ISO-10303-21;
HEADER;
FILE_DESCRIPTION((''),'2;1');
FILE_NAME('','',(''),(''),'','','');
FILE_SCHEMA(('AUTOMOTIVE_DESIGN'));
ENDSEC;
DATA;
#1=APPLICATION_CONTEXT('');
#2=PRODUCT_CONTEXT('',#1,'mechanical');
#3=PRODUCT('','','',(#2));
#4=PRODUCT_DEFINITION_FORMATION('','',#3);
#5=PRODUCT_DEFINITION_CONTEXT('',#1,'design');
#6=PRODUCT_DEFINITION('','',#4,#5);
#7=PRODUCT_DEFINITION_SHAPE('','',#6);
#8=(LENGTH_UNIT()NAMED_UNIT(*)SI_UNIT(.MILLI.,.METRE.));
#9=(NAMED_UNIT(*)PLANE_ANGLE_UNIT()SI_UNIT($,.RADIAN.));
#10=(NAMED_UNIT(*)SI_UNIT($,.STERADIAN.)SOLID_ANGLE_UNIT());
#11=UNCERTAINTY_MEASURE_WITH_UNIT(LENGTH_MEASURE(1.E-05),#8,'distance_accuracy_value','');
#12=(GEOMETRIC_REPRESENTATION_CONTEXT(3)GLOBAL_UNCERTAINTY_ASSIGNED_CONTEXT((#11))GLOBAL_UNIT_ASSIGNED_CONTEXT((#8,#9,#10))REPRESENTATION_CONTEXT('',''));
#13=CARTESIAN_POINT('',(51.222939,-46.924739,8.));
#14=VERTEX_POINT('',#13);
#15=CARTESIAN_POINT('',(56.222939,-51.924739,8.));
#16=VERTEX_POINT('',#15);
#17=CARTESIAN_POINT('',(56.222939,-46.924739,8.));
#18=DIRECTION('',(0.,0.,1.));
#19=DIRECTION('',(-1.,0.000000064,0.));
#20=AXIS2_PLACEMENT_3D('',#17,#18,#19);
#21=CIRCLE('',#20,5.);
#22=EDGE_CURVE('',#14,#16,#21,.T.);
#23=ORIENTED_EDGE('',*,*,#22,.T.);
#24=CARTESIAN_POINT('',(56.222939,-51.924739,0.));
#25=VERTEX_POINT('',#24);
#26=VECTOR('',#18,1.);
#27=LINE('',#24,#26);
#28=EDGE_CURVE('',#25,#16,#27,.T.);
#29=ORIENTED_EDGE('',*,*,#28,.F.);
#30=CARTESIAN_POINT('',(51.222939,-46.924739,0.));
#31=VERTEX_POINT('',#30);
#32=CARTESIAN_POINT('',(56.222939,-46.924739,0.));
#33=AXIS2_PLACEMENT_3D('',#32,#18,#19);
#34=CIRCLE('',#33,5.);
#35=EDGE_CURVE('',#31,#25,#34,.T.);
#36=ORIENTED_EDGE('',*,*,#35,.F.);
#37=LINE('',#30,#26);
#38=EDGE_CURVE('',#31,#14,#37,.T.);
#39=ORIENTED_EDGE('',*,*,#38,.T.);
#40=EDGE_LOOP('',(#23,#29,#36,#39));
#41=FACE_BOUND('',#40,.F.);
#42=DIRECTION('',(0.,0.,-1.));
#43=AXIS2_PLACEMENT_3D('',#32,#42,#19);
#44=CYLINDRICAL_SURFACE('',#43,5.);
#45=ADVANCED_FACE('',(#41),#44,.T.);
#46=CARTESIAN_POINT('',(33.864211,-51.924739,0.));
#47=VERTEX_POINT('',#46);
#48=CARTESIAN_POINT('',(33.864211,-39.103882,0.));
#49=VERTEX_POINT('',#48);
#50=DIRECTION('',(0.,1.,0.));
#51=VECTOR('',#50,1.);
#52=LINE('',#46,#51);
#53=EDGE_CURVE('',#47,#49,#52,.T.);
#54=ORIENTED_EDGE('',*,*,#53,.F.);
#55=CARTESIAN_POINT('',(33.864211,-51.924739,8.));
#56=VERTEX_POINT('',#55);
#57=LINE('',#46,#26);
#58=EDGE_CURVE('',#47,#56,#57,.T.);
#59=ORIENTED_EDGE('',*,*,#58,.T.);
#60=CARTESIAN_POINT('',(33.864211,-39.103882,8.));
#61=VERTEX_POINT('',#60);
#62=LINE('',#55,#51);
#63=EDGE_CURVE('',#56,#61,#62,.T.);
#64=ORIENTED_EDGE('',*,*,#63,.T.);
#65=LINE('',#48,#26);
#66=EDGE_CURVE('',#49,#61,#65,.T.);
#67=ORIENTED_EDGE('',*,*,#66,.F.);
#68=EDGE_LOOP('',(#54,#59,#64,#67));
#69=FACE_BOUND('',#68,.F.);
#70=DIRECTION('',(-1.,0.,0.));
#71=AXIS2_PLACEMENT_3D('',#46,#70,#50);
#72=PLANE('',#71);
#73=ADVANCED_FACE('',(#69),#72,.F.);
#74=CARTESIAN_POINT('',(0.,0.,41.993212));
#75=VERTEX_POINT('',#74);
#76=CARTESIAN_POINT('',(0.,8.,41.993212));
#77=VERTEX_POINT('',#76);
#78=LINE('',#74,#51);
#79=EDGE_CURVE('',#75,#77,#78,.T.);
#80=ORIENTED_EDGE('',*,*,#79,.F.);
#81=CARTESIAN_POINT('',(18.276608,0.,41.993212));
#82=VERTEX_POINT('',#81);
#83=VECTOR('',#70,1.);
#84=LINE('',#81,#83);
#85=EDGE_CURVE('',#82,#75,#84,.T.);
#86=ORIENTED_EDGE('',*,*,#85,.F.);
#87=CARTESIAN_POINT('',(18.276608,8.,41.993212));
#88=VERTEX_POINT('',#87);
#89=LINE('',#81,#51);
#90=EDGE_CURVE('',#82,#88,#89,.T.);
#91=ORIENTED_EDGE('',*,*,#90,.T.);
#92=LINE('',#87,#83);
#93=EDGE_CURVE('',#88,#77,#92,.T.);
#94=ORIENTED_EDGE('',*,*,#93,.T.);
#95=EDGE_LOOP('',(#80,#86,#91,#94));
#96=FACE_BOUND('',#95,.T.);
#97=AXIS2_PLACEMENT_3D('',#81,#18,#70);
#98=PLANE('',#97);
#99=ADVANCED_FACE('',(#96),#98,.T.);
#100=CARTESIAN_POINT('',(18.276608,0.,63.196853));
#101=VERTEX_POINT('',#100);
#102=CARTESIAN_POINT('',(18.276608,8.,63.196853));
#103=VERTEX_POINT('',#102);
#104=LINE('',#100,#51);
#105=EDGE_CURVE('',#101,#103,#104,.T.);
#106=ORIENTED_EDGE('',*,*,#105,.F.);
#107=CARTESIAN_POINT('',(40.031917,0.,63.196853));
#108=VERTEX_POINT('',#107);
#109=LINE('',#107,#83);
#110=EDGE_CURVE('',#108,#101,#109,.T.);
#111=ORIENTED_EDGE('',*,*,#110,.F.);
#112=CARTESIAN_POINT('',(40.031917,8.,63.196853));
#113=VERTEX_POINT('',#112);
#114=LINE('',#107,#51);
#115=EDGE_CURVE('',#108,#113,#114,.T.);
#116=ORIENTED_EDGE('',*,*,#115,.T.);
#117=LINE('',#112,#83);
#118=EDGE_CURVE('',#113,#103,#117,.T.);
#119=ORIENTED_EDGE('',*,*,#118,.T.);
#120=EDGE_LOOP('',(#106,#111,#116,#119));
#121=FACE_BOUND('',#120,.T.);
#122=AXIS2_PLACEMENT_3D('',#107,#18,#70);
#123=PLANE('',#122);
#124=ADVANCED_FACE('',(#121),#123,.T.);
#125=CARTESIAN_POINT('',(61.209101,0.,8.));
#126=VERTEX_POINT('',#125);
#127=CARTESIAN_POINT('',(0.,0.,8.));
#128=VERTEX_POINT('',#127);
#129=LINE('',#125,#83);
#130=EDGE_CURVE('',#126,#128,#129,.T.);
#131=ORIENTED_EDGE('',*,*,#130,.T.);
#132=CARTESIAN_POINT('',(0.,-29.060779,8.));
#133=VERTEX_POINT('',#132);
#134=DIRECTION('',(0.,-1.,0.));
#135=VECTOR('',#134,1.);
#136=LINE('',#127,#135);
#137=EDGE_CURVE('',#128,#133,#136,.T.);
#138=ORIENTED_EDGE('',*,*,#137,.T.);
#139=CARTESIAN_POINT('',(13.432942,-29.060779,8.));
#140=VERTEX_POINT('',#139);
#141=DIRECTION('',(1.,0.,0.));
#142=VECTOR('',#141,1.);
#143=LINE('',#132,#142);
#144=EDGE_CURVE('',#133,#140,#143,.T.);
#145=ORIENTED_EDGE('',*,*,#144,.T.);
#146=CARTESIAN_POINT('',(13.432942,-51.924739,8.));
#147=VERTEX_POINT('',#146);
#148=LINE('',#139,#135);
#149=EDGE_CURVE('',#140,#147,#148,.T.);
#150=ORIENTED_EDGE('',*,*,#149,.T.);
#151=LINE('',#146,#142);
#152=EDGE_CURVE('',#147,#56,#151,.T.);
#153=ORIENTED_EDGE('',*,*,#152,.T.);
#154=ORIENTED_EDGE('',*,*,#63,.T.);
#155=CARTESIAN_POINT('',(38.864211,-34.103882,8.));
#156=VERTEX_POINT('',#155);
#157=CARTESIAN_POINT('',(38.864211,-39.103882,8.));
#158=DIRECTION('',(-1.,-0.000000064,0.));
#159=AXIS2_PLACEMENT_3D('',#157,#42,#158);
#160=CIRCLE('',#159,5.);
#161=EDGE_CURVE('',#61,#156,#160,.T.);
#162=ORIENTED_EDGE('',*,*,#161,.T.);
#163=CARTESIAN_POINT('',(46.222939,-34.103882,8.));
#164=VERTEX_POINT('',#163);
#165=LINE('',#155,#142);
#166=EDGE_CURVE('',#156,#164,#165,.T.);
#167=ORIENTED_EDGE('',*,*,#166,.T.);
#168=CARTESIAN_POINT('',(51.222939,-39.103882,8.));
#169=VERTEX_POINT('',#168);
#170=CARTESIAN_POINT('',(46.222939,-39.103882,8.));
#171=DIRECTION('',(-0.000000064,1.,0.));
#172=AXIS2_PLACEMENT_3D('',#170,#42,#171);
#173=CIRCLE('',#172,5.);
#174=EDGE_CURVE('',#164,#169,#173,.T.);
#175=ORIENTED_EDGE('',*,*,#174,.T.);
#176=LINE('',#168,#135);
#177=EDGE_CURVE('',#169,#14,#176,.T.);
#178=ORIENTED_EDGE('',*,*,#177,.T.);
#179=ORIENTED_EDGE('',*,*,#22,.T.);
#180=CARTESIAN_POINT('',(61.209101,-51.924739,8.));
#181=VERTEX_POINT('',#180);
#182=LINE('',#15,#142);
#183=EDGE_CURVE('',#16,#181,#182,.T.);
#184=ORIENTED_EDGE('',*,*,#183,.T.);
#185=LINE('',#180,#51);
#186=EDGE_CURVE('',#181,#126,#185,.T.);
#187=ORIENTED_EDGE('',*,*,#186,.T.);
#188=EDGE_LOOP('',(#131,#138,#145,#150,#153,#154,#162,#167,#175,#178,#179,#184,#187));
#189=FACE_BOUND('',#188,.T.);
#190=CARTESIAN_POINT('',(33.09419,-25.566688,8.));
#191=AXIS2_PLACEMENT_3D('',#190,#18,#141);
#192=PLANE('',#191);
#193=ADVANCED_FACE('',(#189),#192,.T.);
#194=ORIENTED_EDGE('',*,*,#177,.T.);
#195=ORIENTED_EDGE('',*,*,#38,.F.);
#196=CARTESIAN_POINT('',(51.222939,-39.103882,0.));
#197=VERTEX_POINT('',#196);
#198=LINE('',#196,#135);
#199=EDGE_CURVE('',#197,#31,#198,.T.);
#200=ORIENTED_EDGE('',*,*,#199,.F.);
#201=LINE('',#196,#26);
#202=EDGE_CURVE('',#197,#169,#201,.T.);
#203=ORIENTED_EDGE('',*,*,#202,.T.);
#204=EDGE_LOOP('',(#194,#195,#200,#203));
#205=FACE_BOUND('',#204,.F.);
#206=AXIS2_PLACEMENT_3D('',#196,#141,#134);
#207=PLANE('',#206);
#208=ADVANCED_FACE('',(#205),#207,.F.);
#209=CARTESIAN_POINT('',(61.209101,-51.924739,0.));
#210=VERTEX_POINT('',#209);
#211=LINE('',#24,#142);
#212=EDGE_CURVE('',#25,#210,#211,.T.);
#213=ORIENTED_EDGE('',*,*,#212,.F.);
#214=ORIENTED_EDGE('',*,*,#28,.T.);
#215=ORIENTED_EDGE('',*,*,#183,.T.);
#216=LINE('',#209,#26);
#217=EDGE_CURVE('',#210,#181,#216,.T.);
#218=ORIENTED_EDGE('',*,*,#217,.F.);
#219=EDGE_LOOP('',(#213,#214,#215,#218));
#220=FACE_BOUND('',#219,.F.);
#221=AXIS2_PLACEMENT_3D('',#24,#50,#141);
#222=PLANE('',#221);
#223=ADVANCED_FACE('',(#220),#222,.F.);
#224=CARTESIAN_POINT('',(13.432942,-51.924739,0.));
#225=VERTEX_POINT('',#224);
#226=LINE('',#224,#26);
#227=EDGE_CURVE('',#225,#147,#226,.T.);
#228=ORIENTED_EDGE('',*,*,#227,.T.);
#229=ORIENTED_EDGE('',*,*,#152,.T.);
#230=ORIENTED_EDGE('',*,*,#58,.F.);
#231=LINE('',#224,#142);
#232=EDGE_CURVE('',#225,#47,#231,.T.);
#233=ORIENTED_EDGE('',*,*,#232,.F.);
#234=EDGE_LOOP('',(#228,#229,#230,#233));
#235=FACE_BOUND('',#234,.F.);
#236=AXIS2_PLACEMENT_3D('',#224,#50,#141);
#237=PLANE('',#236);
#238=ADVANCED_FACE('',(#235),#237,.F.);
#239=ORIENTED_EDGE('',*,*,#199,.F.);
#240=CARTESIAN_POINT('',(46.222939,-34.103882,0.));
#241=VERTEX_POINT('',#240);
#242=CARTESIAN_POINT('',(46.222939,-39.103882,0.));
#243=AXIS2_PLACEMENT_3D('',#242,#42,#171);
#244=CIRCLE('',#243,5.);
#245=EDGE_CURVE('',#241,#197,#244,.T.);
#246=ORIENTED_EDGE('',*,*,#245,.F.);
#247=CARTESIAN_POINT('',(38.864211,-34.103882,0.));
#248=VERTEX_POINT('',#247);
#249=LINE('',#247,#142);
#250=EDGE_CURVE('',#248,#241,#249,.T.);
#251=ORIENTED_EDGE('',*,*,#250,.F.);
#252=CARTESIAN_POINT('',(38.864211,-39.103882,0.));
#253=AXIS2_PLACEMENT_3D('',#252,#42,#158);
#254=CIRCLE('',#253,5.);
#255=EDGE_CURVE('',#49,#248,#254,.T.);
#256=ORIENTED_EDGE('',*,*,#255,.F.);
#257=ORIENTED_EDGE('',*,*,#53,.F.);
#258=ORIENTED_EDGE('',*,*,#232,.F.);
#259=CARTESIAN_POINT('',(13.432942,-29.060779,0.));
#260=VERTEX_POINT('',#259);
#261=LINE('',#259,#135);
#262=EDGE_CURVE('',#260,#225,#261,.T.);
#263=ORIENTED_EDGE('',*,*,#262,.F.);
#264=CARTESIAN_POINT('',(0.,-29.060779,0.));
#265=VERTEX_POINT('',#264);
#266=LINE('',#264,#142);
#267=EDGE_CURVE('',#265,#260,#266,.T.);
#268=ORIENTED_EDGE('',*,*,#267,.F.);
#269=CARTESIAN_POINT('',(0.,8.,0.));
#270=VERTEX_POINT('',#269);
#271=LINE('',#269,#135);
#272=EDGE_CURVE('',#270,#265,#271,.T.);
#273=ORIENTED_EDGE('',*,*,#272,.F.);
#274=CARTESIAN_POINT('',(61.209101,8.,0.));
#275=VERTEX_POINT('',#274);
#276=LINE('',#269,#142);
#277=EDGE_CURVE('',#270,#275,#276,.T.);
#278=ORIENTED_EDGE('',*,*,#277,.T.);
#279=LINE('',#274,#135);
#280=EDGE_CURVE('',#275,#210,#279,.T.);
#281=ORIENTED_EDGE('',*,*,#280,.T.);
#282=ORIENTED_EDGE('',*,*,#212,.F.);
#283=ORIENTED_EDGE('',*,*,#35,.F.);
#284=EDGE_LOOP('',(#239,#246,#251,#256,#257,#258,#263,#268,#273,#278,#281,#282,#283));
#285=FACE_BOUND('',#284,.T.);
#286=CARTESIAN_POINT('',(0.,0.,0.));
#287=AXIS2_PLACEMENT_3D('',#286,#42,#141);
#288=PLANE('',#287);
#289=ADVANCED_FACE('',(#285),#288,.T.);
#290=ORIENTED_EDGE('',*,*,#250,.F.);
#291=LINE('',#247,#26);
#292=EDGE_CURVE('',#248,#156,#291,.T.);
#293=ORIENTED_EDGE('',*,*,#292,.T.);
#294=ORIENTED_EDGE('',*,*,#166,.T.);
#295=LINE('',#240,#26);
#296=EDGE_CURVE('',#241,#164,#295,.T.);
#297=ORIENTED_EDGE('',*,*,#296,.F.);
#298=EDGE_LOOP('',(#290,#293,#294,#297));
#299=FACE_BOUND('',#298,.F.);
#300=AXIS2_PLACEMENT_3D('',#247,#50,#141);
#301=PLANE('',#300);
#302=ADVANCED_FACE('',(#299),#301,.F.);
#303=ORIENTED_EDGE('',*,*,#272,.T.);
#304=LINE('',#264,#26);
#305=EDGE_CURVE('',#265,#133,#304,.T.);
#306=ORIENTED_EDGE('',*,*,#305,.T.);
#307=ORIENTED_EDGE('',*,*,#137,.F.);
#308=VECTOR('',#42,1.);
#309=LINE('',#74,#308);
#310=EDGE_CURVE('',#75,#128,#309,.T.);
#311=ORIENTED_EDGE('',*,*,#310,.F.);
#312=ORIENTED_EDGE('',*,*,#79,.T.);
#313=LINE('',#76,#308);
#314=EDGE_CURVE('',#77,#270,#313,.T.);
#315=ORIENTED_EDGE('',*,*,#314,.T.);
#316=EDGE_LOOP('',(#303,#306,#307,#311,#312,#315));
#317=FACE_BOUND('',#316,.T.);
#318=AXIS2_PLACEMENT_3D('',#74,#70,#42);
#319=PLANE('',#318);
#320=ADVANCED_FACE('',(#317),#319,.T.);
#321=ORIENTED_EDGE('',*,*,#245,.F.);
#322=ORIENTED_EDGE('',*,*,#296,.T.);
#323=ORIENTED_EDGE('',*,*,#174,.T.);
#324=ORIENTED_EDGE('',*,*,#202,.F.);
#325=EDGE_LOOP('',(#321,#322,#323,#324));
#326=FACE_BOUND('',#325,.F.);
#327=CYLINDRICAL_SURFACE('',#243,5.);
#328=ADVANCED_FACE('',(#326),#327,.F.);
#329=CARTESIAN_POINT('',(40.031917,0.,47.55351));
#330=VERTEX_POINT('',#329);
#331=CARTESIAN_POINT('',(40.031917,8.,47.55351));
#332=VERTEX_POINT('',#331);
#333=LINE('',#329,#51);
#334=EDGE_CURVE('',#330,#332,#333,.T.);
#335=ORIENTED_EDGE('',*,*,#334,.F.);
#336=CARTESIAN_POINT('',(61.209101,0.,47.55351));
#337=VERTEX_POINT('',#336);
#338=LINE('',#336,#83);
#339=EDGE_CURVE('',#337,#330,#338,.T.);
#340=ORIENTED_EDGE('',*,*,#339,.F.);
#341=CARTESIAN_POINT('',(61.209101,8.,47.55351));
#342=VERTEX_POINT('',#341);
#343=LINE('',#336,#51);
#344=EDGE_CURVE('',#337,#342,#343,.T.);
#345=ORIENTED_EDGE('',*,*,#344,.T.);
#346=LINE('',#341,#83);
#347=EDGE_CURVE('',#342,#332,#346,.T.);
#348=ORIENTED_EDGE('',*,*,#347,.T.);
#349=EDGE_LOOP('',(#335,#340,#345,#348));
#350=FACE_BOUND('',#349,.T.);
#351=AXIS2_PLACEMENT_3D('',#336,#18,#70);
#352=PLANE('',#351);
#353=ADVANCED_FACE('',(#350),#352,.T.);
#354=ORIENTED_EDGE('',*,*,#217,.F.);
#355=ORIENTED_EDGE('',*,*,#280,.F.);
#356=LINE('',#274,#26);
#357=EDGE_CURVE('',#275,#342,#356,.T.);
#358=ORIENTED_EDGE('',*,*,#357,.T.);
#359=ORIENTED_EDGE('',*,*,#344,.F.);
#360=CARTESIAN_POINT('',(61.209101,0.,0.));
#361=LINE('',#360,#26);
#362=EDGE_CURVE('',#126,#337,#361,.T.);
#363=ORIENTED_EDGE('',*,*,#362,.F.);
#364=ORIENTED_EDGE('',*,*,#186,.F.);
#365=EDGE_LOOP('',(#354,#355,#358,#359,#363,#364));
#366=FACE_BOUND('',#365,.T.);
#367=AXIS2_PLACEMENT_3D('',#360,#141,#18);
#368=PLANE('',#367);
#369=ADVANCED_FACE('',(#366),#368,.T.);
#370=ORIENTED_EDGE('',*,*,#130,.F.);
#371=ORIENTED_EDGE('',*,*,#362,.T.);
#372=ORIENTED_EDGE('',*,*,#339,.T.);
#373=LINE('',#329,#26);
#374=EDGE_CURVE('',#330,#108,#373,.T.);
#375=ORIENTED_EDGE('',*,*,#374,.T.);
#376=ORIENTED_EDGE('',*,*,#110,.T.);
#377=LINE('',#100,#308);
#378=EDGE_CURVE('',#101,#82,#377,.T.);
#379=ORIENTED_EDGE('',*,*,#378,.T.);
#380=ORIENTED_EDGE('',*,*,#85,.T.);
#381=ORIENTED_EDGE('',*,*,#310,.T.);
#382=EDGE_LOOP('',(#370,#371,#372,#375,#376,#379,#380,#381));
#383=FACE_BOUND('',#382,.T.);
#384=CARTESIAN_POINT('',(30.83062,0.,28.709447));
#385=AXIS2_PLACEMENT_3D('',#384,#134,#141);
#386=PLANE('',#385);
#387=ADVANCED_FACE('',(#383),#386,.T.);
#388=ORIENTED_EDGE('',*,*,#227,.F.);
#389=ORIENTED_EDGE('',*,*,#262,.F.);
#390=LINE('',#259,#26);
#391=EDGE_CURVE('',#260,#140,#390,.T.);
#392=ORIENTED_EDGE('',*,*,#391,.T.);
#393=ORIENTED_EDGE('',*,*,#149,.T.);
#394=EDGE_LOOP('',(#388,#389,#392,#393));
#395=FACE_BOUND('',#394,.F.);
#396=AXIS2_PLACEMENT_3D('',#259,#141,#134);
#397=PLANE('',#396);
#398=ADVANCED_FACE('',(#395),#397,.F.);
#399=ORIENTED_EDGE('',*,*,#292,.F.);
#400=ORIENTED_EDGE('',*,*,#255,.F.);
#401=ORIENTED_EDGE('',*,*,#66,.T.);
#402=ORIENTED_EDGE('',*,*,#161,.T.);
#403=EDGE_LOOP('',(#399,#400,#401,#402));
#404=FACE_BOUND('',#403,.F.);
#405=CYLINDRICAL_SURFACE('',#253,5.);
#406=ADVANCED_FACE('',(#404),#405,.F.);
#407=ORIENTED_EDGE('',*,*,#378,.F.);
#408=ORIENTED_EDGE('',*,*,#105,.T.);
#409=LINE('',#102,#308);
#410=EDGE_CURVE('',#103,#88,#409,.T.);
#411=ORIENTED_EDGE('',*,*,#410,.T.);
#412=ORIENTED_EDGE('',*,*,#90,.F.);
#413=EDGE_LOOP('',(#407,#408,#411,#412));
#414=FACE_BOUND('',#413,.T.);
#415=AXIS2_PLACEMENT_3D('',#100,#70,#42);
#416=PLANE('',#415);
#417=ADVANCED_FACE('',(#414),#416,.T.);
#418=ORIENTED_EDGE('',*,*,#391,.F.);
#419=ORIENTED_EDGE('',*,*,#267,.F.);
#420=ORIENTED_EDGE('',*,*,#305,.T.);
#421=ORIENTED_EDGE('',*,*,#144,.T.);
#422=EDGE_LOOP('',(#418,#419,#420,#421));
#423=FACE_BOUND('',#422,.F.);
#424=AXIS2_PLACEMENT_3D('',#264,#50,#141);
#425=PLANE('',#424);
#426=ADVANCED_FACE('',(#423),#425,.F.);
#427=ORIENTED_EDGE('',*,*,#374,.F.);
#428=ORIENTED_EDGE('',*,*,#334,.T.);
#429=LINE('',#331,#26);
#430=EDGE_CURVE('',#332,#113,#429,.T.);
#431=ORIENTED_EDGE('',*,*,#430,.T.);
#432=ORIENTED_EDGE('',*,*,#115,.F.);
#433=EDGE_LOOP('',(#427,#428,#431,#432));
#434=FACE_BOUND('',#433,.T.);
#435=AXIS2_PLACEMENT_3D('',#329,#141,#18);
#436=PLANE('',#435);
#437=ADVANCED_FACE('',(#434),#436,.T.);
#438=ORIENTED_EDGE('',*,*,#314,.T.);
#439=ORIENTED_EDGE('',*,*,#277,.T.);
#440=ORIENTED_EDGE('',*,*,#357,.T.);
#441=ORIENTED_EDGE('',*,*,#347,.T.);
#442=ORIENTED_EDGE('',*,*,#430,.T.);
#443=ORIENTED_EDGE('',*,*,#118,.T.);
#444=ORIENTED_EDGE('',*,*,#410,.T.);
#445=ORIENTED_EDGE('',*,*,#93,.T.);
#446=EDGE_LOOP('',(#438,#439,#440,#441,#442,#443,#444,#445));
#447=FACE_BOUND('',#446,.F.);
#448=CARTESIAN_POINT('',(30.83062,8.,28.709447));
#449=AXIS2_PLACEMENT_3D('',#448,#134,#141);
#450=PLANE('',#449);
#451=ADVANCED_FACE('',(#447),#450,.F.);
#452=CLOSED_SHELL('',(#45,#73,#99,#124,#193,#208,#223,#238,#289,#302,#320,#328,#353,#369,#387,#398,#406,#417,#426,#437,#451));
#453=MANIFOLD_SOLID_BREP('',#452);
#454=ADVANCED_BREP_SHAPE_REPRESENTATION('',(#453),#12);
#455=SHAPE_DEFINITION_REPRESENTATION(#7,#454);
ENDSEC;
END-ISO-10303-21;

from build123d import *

# Parameters (mm, degrees)
F1_DEPTH = 8
F3_DEPTH = 8


with BuildPart() as f1:
    # F0 (on Top) → F1 (new body)
    with BuildSketch(Plane.XY):
        with BuildLine():
            Line((61.209101, 0), (0, 0))
            Line((0, 0), (0, -29.060779))
            Line((0, -29.060779), (13.432942, -29.060779))
            Line((13.432942, -29.060779), (13.432942, -51.924739))
            Line((13.432942, -51.924739), (33.864211, -51.924739))
            Line((33.864211, -51.924739), (33.864211, -39.103882))
            ThreePointArc((33.864211, -39.103882), (35.328677, -35.568348), (38.864211, -34.103882))
            Line((38.864211, -34.103882), (46.222939, -34.103882))
            ThreePointArc((46.222939, -34.103882), (49.758473, -35.568348), (51.222939, -39.103882))
            Line((51.222939, -39.103882), (51.222939, -46.924739))
            ThreePointArc((51.222939, -46.924739), (52.687405, -50.460273), (56.222939, -51.924739))
            Line((56.222939, -51.924739), (61.209101, -51.924739))
            Line((61.209101, -51.924739), (61.209101, 0))
        make_face()
    extrude(amount=F1_DEPTH)

    # F2 (on Front) → F3 (join)
    with BuildSketch(Plane.XZ):
        Polygon((18.276608, 41.993212), (0, 41.993212), (0, 0), (61.209101, 0), (61.209101, 47.55351), (40.031917, 47.55351), (40.031917, 63.196853), (18.276608, 63.196853), align=None)
    extrude(amount=-F3_DEPTH)


solid = f1.part
